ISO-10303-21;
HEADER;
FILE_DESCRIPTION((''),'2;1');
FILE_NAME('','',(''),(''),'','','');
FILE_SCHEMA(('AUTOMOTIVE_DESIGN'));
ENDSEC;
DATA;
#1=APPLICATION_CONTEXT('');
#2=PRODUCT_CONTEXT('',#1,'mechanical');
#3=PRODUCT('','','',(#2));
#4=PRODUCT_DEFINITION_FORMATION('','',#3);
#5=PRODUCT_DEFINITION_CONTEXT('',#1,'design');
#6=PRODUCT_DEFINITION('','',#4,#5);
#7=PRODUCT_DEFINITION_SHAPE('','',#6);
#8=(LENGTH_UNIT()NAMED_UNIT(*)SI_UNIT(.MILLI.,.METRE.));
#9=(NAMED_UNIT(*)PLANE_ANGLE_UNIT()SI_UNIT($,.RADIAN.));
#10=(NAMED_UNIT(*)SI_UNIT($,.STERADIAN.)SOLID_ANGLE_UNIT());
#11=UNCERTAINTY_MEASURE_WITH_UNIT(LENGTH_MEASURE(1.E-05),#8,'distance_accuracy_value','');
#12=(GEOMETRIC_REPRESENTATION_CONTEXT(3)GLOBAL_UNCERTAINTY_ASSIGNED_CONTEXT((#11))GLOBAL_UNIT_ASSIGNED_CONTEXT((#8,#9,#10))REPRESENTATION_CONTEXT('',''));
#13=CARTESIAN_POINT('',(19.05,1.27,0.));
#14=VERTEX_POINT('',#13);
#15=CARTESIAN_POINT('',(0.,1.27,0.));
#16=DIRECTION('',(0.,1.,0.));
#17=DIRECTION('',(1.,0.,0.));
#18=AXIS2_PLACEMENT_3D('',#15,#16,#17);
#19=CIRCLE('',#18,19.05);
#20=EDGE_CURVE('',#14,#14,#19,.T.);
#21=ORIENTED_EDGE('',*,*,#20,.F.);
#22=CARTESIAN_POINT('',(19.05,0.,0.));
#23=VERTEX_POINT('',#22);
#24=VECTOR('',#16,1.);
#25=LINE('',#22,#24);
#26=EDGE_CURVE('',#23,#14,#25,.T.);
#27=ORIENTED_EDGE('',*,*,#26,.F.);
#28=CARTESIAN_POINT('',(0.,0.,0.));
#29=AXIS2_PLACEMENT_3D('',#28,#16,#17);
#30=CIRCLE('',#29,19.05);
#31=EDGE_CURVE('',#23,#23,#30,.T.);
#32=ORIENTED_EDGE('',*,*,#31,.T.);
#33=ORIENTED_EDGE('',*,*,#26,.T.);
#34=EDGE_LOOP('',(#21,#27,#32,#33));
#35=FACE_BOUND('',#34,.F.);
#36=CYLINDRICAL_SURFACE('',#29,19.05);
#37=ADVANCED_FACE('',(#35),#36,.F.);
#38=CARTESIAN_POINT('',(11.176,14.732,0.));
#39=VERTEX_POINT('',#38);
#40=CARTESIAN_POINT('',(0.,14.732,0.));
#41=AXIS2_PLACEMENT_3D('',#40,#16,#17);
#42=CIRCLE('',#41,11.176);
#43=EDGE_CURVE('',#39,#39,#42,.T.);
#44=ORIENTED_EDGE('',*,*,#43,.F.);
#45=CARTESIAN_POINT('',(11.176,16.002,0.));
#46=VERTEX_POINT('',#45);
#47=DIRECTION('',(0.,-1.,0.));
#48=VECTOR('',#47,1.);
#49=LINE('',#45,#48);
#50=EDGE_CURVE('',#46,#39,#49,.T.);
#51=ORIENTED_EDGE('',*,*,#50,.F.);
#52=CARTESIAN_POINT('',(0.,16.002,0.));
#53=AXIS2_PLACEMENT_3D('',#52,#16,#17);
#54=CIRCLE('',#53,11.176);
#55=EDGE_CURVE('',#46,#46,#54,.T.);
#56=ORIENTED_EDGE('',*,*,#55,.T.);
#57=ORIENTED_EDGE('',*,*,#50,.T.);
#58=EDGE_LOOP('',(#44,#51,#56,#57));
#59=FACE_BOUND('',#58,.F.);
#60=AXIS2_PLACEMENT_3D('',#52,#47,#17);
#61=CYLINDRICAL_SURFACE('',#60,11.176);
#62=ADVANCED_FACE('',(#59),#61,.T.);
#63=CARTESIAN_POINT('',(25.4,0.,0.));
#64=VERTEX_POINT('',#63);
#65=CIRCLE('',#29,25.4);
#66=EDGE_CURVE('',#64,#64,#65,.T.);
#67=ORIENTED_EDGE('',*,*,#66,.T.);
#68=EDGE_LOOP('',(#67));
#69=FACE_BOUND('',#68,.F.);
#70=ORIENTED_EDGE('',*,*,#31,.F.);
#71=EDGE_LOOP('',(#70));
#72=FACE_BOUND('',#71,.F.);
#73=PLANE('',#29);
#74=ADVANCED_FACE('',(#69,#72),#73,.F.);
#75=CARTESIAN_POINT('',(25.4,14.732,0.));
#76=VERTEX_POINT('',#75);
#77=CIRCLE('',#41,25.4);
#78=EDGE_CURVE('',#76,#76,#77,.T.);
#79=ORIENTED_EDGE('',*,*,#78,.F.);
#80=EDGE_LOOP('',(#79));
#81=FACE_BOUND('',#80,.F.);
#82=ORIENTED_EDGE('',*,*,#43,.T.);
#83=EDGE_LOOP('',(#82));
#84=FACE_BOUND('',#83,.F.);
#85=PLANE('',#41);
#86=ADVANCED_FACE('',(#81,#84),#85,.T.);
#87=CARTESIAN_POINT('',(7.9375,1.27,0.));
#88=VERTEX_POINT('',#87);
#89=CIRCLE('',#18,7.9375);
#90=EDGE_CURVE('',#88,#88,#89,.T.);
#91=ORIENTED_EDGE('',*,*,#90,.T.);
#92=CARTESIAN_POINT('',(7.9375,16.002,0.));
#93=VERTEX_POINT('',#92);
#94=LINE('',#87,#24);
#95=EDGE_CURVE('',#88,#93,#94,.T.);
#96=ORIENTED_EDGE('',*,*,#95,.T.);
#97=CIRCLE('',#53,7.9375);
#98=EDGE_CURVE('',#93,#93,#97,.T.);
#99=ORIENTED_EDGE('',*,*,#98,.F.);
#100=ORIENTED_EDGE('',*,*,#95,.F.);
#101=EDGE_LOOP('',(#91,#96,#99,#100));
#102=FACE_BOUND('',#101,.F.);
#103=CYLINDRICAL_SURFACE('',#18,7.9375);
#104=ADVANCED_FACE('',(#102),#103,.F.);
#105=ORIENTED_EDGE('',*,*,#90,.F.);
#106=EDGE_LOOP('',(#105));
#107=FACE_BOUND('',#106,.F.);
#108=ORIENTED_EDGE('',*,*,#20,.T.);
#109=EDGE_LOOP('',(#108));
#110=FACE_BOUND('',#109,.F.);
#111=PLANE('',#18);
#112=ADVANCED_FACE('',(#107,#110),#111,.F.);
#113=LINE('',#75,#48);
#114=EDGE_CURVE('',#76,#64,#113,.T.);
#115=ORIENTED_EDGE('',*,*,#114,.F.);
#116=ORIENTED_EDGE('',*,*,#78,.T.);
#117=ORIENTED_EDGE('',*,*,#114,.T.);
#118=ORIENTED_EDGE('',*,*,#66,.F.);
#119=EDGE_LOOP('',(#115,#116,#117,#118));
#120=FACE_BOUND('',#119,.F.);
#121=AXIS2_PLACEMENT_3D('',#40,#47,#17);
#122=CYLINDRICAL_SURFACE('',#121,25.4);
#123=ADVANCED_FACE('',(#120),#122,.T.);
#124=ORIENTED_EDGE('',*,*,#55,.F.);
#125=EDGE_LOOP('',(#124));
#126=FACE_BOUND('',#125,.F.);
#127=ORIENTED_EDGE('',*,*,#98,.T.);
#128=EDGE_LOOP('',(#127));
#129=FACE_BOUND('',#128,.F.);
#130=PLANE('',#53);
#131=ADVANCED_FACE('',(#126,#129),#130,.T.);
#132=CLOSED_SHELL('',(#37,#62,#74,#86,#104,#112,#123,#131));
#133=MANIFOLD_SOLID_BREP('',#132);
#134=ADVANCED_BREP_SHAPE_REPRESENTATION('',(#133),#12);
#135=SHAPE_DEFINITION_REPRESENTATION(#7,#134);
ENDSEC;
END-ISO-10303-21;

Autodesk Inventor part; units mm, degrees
ref_plane "YZ Plane" through (0, 0, 0) normal (1, 0, 0) x (0, 1, 0)
ref_plane "XZ Plane" through (0, 0, 0) normal (0, 1, 0) x (-1, 0, 0)
ref_plane "XY Plane" through (0, 0, 0) normal (0, 0, 1) x (1, 0, 0)
sketch "Sketch1" plane through (0, 0, 0) normal (0, 0, 1) x (1, 0, 0)
  line L0 (7.9375, 16.002) -> (11.176, 16.002)
  line L1 (11.176, 16.002) -> (11.176, 14.732)
  line L2 (11.176, 14.732) -> (25.4, 14.732)
  line L3 (25.4, 14.732) -> (25.4, 0)
  line L4 (25.4, 0) -> (19.05, 0)
  line L5 (19.05, 0) -> (19.05, 1.27)
  line L6 (19.05, 1.27) -> (7.9375, 1.27)
  line L7 (7.9375, 1.27) -> (7.9375, 16.002)
  line L8 (0, -2.0008) -> (0, 23.5688) construction
  point P0 (0, 0)
  dimension "d0" = 25.4
  dimension "d1" = 19.05
  dimension "d2" = 7.9375
  dimension "d3" = 1.27
  dimension "d4" = 11.176
  dimension "d5" = 16.002
  dimension "d6" = 1.27
revolve "Revolution1" add sketch "Sketch1" angle 360 about axis through (0, -2.0008, 0) along (0, 1, 0)
properties part number "Load Cell"
